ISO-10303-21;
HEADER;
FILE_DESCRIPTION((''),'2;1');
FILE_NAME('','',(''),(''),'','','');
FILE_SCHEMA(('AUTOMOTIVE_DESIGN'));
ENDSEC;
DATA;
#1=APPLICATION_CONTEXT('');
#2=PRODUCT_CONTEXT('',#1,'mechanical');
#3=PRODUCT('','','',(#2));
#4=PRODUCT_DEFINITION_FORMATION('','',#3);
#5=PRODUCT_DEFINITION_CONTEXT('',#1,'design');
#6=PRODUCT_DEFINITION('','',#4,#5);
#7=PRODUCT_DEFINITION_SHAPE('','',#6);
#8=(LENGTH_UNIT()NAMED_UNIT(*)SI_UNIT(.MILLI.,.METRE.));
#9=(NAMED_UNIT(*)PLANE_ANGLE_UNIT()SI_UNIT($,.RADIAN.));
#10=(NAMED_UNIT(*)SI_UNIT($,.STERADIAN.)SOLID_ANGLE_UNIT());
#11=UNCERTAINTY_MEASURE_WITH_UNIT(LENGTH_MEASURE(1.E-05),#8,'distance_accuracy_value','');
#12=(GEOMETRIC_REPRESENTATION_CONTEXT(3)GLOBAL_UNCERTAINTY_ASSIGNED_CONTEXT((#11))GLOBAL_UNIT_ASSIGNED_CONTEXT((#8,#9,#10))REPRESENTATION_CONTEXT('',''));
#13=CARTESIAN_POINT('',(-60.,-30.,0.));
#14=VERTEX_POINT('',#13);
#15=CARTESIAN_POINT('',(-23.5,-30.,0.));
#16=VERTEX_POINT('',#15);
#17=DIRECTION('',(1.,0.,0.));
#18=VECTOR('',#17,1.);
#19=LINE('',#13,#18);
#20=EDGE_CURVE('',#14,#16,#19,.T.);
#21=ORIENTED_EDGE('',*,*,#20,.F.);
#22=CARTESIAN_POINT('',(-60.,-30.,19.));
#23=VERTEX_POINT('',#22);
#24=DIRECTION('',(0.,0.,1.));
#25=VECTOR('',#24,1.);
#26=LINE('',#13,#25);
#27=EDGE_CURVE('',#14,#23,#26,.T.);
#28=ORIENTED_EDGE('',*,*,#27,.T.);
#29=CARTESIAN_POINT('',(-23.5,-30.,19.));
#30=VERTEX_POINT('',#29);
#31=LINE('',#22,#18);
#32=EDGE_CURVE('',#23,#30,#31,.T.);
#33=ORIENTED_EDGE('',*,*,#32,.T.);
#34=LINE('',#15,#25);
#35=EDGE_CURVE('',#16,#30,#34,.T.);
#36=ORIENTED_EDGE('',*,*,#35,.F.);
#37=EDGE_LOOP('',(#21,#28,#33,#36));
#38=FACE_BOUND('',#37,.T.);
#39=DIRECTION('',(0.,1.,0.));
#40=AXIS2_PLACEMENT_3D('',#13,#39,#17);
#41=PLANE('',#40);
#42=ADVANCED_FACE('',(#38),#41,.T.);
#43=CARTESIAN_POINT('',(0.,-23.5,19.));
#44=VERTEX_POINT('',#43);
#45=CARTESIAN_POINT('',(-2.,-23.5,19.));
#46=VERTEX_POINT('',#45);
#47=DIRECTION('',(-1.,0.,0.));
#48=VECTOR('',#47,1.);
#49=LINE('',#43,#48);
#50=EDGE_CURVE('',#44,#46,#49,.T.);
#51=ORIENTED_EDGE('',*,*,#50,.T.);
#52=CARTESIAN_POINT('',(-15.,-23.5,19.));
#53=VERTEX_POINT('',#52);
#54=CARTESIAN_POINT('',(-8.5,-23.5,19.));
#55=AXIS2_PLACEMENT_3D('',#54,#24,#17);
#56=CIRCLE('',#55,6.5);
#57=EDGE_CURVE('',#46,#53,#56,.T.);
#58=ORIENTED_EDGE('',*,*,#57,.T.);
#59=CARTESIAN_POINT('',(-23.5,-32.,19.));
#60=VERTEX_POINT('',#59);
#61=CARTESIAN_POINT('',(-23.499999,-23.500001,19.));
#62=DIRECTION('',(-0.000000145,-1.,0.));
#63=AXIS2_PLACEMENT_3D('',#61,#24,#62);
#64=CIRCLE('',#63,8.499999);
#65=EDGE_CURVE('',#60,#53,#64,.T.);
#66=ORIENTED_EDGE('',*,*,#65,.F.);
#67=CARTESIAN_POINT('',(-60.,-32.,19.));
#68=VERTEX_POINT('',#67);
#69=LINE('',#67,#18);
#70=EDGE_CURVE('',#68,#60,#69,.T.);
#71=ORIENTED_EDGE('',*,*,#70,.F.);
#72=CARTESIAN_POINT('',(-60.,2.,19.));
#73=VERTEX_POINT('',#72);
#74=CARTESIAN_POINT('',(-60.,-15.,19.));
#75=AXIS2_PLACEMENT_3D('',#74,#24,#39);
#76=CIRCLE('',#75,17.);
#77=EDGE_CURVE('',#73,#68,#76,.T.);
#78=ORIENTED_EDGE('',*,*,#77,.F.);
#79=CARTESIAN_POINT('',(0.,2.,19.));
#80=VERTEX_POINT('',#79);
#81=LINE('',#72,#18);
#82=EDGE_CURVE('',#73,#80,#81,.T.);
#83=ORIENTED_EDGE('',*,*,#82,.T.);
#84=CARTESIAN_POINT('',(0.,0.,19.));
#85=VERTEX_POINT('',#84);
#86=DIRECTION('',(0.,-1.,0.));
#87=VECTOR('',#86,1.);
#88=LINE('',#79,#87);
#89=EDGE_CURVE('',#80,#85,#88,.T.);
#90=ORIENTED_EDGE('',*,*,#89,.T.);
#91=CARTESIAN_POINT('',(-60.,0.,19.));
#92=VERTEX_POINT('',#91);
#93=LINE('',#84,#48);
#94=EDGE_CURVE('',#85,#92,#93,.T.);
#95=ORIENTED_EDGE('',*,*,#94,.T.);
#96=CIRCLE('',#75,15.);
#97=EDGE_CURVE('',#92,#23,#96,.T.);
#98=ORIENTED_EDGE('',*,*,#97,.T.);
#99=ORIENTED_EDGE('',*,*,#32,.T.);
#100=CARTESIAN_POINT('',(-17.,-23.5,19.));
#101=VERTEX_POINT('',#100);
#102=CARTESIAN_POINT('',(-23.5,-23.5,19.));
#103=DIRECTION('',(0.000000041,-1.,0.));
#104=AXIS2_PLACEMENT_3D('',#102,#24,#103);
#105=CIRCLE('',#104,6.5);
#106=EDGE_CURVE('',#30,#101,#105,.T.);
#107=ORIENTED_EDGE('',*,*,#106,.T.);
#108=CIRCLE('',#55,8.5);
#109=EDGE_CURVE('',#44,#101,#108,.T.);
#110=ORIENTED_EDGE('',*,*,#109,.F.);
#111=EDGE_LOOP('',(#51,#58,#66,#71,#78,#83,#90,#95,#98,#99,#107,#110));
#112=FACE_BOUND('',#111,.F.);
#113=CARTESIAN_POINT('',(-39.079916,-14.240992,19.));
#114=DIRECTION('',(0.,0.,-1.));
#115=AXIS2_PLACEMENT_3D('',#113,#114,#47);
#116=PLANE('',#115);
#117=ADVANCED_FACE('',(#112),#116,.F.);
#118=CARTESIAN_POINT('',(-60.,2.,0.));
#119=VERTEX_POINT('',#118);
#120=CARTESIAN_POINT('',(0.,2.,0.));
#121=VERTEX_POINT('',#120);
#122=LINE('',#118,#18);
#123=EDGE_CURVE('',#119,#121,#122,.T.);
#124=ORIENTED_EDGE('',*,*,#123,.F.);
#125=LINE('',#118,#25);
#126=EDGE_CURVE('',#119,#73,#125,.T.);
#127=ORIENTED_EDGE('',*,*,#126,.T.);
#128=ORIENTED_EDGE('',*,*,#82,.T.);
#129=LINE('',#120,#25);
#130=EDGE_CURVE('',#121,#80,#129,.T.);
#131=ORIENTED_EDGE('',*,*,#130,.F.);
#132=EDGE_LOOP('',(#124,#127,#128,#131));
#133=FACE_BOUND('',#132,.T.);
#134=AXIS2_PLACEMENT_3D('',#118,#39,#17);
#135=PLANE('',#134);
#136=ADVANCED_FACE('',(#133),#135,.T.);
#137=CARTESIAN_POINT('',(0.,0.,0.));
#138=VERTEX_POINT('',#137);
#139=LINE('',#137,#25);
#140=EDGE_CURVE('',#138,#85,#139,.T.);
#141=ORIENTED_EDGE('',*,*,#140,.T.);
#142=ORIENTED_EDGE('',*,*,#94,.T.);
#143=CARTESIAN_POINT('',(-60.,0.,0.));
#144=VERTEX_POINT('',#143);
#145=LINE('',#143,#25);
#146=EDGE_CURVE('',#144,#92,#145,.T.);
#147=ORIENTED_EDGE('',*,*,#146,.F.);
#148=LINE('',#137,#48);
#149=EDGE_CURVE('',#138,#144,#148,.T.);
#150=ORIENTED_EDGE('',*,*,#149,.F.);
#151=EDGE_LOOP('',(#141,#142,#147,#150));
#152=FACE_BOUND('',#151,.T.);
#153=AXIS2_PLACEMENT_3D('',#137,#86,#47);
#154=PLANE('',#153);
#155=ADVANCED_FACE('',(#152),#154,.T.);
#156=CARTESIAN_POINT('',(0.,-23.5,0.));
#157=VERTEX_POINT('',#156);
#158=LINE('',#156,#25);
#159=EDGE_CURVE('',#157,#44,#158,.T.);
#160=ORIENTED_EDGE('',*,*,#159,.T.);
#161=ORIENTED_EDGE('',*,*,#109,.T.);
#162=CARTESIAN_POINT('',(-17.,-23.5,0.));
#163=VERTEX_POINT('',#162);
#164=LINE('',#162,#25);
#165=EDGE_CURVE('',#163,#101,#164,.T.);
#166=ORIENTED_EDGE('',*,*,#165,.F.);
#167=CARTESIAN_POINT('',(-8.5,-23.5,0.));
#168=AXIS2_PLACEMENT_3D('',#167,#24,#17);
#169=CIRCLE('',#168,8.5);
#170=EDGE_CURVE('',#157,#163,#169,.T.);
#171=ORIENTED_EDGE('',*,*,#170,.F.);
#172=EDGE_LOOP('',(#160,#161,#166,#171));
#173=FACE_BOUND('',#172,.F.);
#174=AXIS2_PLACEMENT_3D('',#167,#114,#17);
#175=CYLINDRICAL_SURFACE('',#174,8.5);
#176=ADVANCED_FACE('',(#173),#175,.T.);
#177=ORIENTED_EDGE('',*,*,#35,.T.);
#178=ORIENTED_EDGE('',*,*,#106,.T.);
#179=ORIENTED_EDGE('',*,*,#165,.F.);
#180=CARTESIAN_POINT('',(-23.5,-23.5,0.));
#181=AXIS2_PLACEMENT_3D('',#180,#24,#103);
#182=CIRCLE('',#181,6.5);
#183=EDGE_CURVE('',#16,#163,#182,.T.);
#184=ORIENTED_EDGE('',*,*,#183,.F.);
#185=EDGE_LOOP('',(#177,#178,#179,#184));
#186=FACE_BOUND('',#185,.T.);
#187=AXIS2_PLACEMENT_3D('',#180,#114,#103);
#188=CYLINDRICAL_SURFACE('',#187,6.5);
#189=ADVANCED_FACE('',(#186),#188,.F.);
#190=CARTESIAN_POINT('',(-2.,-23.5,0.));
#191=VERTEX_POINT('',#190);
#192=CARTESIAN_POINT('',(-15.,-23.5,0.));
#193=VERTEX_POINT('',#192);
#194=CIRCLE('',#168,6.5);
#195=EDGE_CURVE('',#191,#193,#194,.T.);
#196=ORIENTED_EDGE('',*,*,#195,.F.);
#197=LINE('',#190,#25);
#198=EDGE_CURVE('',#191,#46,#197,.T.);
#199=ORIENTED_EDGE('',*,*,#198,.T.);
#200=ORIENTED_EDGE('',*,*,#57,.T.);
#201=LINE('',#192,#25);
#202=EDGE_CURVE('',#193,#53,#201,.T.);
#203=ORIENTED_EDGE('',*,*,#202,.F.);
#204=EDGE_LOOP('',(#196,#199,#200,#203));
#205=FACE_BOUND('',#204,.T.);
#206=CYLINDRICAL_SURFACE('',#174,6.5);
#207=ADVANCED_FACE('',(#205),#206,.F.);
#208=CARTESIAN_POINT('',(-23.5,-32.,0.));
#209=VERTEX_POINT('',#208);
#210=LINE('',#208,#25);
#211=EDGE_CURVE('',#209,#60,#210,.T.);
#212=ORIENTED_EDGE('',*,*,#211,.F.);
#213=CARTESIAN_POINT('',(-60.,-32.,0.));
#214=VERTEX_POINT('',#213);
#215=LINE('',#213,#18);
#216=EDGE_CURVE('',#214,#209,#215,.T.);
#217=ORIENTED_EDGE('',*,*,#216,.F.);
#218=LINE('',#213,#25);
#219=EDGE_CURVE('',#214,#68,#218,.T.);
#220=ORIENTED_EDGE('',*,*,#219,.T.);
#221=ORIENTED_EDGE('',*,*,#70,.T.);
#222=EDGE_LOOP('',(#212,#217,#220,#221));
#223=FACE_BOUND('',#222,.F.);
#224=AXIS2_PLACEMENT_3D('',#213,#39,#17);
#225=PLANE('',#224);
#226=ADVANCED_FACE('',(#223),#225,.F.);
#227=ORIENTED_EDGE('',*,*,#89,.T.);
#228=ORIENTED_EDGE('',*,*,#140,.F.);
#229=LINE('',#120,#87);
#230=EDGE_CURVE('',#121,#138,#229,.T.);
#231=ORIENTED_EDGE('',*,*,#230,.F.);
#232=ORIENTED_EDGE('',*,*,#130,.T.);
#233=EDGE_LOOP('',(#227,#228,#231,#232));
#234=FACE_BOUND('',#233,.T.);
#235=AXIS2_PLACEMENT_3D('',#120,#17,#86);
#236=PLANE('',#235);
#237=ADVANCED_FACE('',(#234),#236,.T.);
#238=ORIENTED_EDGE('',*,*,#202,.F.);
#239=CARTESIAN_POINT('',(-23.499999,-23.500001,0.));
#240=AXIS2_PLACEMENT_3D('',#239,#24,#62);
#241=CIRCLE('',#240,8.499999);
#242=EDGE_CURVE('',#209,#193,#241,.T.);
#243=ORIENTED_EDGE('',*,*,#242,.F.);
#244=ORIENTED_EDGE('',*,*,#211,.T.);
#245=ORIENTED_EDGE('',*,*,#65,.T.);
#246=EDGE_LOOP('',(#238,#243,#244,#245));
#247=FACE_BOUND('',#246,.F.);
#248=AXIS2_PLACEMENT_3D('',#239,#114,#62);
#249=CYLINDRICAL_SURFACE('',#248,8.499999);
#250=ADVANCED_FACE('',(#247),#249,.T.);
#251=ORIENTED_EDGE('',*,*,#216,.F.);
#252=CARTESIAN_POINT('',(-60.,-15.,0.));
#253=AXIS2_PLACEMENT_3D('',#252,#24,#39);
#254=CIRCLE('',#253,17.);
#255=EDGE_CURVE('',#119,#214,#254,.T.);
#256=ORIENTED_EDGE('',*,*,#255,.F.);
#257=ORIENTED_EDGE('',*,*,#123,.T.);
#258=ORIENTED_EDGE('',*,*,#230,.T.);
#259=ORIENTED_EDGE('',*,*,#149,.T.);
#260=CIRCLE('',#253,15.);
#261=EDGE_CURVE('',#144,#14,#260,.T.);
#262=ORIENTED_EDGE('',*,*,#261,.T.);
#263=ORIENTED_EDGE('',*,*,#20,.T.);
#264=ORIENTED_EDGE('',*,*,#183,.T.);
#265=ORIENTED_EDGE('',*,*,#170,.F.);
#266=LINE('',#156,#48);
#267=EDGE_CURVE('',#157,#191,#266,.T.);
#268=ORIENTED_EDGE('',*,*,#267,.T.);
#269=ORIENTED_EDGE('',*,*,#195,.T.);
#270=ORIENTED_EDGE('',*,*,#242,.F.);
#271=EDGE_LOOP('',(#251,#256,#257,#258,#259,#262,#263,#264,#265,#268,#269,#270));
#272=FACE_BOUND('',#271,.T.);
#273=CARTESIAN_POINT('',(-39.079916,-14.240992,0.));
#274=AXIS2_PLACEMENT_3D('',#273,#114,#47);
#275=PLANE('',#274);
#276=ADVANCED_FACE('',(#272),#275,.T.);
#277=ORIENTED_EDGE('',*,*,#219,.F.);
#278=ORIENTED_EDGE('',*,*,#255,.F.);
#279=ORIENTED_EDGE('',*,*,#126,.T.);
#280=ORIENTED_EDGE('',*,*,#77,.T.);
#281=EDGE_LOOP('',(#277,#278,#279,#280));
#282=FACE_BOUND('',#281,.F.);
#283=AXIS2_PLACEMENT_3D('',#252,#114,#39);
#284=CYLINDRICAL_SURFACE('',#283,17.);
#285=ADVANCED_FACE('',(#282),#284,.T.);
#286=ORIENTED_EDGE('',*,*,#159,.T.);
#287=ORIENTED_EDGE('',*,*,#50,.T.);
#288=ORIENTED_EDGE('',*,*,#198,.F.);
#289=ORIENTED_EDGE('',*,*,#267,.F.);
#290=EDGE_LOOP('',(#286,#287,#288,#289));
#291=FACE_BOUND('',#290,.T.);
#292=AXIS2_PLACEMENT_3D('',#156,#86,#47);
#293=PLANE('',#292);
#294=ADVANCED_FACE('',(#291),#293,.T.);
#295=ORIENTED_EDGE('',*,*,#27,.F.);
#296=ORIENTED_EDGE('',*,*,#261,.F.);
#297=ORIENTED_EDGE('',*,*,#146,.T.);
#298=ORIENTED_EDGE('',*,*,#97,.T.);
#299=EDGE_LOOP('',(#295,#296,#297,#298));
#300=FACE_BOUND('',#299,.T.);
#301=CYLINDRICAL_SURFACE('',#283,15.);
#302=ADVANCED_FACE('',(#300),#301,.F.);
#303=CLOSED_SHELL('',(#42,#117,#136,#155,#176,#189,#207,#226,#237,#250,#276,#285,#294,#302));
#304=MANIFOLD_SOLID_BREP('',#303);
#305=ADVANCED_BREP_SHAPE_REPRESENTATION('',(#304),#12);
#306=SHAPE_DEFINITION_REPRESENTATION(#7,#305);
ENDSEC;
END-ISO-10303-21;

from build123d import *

# Parameters (mm, degrees)
PAD_DEPTH = 19


with BuildPart() as part:
    # Sketch → Pad (new body)
    with BuildSketch(Plane.XY):
        with BuildLine():
            Line((0, 0), (-60, 0))
            ThreePointArc((-60, 0), (-75, -15), (-60, -30))
            Line((-60, -30), (-23.5, -30))
            ThreePointArc((-23.5, -30), (-18.903806, -28.096194), (-17, -23.5))
            ThreePointArc((0, -23.5), (-8.5, -15), (-17, -23.5))
            Line((0, -23.5), (-2, -23.5))
            ThreePointArc((-2, -23.5), (-8.5, -17), (-15, -23.5))
            ThreePointArc((-23.5, -32), (-17.489592, -29.510408), (-15, -23.5))
            Line((-60, -32), (-23.5, -32))
            ThreePointArc((-60, 2), (-77, -15), (-60, -32))
            Line((-60, 2), (0, 2))
            Line((0, 2), (0, 0))
        make_face()
    extrude(amount=PAD_DEPTH)


solid = part.part
